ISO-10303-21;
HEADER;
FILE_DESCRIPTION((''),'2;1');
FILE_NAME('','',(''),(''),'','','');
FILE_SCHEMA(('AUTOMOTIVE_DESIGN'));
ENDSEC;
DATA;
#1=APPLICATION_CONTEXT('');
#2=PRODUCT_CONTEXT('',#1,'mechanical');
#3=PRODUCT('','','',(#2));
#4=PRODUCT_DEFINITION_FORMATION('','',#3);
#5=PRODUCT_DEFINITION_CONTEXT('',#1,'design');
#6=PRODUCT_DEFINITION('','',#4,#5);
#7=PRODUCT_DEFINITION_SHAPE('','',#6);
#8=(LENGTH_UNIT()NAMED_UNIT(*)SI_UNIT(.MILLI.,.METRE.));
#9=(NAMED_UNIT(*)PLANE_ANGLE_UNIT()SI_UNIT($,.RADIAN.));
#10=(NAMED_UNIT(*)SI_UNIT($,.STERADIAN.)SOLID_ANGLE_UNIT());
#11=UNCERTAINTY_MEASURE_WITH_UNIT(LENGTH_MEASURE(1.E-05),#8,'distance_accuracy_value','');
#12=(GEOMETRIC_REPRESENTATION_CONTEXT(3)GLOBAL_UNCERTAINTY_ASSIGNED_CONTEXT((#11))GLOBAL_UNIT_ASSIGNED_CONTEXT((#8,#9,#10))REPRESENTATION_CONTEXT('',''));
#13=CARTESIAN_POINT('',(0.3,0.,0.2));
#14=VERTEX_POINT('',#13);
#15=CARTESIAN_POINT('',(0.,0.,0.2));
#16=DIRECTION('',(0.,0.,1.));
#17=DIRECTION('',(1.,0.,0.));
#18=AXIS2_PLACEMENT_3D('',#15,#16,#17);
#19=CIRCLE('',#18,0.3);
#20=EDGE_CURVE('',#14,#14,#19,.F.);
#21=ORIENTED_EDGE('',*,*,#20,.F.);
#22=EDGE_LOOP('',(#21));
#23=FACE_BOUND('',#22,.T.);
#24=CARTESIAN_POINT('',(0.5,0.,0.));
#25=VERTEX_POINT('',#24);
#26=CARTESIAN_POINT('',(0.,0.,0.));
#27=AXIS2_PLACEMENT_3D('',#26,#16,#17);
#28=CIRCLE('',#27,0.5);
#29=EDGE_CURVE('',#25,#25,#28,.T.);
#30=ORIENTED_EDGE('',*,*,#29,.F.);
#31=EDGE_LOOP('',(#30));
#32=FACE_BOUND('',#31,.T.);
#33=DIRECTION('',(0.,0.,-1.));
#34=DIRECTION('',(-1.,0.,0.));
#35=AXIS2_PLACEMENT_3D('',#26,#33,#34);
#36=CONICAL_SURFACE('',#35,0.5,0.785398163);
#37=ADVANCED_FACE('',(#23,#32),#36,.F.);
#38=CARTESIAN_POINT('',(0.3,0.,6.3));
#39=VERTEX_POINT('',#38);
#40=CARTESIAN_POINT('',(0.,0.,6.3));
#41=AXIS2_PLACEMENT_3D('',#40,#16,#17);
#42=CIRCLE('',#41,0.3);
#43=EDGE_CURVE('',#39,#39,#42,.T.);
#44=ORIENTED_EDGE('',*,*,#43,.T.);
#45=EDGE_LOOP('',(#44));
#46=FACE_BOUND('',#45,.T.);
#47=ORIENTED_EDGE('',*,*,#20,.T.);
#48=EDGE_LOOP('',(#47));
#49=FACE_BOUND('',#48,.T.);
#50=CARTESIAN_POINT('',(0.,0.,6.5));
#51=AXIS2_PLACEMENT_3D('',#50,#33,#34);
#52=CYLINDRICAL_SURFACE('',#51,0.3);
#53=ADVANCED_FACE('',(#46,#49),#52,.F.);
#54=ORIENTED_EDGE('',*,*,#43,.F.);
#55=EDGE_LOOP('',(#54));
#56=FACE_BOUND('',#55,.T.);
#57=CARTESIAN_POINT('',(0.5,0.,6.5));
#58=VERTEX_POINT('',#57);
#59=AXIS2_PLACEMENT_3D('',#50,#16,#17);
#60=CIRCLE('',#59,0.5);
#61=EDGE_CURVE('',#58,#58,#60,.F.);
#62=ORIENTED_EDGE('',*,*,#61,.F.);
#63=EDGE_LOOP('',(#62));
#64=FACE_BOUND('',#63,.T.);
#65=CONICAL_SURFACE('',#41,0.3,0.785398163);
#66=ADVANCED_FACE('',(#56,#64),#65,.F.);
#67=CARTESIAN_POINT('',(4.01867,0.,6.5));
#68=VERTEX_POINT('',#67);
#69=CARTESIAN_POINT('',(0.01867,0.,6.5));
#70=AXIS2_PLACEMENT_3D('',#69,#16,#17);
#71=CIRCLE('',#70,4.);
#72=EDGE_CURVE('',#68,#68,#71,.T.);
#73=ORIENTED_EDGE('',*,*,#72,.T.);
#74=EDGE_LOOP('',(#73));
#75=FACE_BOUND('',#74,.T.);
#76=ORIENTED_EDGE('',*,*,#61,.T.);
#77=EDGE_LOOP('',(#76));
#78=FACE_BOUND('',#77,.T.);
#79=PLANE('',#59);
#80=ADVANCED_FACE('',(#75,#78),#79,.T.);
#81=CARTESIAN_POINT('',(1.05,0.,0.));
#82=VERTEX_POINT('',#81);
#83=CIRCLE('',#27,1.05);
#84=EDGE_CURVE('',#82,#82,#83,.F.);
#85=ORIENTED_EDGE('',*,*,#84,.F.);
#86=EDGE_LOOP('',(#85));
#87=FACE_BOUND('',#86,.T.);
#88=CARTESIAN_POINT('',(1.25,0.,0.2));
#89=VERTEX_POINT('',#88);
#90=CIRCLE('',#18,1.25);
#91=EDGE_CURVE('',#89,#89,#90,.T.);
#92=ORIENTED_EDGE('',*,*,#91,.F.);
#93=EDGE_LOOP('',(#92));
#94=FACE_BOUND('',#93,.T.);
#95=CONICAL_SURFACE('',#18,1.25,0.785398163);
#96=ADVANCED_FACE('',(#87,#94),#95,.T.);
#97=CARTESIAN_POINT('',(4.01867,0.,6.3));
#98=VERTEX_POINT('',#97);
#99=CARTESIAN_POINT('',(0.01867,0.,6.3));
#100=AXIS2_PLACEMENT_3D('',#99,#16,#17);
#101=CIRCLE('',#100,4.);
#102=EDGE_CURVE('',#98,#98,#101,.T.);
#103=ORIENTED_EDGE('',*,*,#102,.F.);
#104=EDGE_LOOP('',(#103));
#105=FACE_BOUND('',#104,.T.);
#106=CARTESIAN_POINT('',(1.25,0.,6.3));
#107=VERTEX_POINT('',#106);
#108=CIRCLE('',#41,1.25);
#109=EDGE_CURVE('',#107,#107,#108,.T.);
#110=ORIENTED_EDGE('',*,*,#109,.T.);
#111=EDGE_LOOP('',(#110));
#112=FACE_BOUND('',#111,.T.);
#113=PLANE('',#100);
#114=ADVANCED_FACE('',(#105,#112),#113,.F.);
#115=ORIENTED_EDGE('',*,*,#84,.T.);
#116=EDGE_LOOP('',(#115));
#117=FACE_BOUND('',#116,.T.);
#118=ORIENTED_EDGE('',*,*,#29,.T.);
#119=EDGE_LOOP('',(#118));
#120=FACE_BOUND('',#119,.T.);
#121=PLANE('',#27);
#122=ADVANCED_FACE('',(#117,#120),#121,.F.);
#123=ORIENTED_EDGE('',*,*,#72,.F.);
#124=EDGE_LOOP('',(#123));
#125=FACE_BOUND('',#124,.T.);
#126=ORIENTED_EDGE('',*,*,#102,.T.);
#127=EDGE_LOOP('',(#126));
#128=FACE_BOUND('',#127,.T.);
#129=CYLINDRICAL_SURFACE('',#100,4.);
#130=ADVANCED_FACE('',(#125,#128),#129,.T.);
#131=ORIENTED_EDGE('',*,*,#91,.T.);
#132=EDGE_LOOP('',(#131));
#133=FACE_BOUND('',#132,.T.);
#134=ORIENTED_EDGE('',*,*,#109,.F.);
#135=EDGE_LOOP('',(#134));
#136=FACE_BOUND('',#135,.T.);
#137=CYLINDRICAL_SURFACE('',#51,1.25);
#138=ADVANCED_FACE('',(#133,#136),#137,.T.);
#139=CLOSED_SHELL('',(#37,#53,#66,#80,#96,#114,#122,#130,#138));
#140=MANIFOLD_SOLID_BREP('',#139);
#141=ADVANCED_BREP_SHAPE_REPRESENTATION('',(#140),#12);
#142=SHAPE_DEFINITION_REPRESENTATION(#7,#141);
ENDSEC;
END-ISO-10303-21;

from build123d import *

# Parameters (mm, degrees)
SKETCH1_R           = 1.25
SKETCH1_R_2         = 0.3
BOSS_EXTRUDE1_DEPTH = 6.5
SKETCH2_R           = 4
SKETCH2_R_2         = 1.25
BOSS_EXTRUDE2_DEPTH = 0.2
CHAMFER1_SIZE       = 0.2


with BuildPart() as part:
    # Sketch1 → Boss-Extrude1 (new body)
    with BuildSketch(Plane.XY):
        Circle(SKETCH1_R)
        Circle(SKETCH1_R_2, mode=Mode.SUBTRACT)
    extrude(amount=BOSS_EXTRUDE1_DEPTH)

    # Sketch2 → Boss-Extrude2 (add)
    with BuildSketch(Plane.XY.offset(6.5)):
        with Locations((0.018669882, 0)):
            Circle(SKETCH2_R)
        Circle(SKETCH2_R_2, mode=Mode.SUBTRACT)
    extrude(amount=-BOSS_EXTRUDE2_DEPTH)

    # Chamfer1
    chamfer1_edges = [part.edges().sort_by_distance(p)[0] for p in [
        (-1.25, 0, 0),
        (-0.3, 0, 0),
        (-0.3, 0, 6.5),
    ]]
    chamfer(chamfer1_edges, length=CHAMFER1_SIZE)


solid = part.part
